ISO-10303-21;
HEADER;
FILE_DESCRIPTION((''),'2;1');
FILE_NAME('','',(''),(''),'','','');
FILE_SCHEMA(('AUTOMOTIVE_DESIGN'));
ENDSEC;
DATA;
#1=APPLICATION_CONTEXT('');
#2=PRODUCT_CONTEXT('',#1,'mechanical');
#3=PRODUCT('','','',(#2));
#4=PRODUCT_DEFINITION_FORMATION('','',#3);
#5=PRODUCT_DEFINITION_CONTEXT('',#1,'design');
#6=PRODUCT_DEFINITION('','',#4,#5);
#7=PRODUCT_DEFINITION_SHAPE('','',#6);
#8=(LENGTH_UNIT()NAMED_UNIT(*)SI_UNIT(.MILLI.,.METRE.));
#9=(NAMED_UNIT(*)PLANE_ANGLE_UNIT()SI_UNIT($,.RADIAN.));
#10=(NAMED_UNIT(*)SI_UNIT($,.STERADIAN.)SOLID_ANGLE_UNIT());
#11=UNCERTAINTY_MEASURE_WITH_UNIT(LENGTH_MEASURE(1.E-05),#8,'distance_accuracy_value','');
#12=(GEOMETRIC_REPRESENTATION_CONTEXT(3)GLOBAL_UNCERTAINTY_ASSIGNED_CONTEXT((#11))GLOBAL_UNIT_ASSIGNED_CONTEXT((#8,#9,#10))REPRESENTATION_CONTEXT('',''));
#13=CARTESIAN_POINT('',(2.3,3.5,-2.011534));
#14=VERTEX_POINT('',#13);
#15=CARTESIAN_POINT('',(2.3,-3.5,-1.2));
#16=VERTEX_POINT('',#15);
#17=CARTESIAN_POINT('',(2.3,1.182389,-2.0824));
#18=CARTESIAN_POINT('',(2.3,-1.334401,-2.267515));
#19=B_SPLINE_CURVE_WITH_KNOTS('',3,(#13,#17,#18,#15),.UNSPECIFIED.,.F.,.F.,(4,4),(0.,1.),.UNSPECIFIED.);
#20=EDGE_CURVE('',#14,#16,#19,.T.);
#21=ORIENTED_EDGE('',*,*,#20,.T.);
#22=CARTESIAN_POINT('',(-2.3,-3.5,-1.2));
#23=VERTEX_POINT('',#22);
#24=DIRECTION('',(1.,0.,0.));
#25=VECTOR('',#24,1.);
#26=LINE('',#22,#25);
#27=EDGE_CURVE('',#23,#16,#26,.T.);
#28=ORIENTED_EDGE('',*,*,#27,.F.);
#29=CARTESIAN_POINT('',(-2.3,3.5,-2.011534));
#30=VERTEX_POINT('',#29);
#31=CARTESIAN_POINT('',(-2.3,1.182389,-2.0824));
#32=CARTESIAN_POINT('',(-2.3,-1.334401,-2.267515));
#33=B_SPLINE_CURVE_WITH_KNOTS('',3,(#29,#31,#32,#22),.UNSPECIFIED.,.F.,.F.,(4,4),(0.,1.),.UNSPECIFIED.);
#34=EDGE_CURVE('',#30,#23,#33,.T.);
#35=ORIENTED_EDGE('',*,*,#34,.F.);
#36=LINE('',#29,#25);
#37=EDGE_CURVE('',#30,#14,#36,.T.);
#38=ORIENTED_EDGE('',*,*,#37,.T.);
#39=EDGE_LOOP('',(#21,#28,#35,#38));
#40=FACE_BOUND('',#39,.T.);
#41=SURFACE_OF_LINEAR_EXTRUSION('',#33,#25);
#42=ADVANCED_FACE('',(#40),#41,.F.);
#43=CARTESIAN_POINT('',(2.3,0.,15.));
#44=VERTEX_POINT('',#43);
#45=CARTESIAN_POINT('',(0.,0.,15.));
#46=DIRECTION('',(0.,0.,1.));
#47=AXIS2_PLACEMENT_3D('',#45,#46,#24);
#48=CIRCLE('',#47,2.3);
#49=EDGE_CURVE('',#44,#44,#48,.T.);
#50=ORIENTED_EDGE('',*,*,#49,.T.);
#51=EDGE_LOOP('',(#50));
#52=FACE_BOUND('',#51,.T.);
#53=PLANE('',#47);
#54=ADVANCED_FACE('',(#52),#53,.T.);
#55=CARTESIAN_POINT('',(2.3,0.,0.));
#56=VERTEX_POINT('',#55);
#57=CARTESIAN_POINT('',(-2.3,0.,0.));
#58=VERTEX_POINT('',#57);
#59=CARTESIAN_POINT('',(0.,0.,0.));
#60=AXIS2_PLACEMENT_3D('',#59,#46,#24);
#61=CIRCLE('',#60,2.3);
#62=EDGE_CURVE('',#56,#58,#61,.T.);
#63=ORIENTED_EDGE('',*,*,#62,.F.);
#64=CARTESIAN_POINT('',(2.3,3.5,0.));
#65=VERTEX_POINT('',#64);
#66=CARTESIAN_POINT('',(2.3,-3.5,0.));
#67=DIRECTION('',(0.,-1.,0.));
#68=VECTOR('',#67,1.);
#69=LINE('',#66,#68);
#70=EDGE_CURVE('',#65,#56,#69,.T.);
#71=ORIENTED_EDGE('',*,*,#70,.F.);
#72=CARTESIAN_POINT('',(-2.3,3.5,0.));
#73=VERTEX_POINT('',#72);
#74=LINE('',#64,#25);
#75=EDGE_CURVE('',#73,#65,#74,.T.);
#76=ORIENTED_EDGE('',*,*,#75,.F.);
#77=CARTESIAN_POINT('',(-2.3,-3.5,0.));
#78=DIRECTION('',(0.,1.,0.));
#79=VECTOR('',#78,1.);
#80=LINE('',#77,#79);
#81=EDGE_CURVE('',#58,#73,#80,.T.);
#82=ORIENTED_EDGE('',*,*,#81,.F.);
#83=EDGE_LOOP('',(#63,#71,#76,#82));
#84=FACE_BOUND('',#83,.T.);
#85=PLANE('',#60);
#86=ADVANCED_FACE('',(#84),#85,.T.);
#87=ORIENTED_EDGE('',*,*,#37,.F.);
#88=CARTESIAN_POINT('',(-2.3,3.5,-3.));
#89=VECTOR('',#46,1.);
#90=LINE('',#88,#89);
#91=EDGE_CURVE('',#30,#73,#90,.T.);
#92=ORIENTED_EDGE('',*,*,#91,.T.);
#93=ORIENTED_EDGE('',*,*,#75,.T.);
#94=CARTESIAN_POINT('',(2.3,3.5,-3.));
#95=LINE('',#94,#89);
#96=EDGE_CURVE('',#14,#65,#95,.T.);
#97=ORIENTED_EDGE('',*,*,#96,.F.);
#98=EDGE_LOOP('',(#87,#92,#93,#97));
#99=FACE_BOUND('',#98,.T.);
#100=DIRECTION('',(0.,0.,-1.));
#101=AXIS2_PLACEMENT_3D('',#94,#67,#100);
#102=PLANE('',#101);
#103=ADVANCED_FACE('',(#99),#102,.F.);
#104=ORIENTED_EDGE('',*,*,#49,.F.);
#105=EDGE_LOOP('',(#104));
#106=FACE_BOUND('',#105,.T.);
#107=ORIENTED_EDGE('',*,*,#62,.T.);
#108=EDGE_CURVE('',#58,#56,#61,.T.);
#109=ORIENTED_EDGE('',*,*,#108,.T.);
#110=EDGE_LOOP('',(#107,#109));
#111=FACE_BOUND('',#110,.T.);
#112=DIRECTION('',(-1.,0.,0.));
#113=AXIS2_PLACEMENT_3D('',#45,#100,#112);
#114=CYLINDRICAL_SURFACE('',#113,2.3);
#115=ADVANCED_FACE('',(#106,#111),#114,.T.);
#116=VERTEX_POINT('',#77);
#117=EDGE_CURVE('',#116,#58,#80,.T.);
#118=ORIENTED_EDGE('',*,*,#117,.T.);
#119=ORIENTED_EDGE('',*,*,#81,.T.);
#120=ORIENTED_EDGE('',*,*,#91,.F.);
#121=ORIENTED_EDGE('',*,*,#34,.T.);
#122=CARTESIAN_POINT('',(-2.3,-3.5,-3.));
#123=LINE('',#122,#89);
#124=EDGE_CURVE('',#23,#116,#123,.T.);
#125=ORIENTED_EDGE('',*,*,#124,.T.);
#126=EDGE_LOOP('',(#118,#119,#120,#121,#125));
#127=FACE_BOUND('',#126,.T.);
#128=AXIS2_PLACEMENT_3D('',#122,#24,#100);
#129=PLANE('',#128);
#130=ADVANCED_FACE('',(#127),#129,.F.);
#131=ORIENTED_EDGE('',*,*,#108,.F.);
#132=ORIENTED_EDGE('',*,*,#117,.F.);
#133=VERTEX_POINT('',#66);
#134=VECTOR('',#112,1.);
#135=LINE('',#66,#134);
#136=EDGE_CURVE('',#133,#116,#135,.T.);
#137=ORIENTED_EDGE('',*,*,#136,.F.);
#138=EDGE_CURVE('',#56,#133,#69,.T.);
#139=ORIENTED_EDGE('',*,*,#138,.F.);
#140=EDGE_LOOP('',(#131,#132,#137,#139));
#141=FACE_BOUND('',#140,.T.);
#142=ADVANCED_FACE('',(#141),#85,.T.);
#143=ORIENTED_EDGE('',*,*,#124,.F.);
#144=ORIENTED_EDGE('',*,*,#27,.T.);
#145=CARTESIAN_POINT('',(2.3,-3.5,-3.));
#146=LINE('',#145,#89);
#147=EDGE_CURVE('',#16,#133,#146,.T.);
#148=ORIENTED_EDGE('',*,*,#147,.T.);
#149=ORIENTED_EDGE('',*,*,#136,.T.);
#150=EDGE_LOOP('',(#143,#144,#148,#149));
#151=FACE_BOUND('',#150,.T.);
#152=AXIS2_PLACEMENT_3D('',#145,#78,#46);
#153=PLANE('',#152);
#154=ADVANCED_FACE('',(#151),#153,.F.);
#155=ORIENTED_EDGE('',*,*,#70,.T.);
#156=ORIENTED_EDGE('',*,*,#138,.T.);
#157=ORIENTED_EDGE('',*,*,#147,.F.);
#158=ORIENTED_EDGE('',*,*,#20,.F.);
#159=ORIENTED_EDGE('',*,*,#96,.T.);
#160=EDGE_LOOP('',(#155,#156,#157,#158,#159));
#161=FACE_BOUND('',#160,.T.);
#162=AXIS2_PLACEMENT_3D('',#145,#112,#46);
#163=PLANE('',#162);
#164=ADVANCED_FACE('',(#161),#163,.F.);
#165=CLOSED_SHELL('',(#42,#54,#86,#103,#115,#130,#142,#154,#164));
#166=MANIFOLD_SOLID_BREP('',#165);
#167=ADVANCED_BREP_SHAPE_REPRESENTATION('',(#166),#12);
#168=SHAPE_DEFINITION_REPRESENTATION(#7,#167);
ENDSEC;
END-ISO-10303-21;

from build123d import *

# Parameters (mm, degrees)
SKETCH1_R           = 2.3
BOSS_EXTRUDE1_DEPTH = 15
SKETCH2_W           = 4.6
SKETCH2_H           = 7
BOSS_EXTRUDE2_DEPTH = 3
CUT_EXTRUDE1_DEPTH  = 4.6


with BuildPart() as part:
    # Sketch1 → Boss-Extrude1 (new body)
    with BuildSketch(Plane.XY):
        Circle(SKETCH1_R)
    extrude(amount=BOSS_EXTRUDE1_DEPTH)

    # Sketch2 → Boss-Extrude2 (add)
    with BuildSketch(Plane(origin=(0, 0, 0), x_dir=(-1, 0, 0), z_dir=(0, 0, -1))):
        Rectangle(SKETCH2_W, SKETCH2_H)
    extrude(amount=BOSS_EXTRUDE2_DEPTH)

    # Sketch3 → Cut-Extrude1 (cut)
    with BuildSketch(Plane(origin=(2.3, 0, 0), x_dir=(0, 0, -1), z_dir=(1, 0, 0))):
        with BuildLine():
            Line((1.2, -3.5), (3, -3.5))
            Line((3, -3.5), (3, 3.5))
            Line((3, 3.5), (2.011534301, 3.5))
            add(Edge.make_bspline(
                [(1.2, -3.5), (2.267514736, -1.334400874), (2.08240034, 1.182388913), (2.011534301, 3.5)],
                knots=[0, 0, 0, 0, 1, 1, 1, 1], degree=3))
        make_face()
    extrude(amount=-CUT_EXTRUDE1_DEPTH, mode=Mode.SUBTRACT)


solid = part.part
